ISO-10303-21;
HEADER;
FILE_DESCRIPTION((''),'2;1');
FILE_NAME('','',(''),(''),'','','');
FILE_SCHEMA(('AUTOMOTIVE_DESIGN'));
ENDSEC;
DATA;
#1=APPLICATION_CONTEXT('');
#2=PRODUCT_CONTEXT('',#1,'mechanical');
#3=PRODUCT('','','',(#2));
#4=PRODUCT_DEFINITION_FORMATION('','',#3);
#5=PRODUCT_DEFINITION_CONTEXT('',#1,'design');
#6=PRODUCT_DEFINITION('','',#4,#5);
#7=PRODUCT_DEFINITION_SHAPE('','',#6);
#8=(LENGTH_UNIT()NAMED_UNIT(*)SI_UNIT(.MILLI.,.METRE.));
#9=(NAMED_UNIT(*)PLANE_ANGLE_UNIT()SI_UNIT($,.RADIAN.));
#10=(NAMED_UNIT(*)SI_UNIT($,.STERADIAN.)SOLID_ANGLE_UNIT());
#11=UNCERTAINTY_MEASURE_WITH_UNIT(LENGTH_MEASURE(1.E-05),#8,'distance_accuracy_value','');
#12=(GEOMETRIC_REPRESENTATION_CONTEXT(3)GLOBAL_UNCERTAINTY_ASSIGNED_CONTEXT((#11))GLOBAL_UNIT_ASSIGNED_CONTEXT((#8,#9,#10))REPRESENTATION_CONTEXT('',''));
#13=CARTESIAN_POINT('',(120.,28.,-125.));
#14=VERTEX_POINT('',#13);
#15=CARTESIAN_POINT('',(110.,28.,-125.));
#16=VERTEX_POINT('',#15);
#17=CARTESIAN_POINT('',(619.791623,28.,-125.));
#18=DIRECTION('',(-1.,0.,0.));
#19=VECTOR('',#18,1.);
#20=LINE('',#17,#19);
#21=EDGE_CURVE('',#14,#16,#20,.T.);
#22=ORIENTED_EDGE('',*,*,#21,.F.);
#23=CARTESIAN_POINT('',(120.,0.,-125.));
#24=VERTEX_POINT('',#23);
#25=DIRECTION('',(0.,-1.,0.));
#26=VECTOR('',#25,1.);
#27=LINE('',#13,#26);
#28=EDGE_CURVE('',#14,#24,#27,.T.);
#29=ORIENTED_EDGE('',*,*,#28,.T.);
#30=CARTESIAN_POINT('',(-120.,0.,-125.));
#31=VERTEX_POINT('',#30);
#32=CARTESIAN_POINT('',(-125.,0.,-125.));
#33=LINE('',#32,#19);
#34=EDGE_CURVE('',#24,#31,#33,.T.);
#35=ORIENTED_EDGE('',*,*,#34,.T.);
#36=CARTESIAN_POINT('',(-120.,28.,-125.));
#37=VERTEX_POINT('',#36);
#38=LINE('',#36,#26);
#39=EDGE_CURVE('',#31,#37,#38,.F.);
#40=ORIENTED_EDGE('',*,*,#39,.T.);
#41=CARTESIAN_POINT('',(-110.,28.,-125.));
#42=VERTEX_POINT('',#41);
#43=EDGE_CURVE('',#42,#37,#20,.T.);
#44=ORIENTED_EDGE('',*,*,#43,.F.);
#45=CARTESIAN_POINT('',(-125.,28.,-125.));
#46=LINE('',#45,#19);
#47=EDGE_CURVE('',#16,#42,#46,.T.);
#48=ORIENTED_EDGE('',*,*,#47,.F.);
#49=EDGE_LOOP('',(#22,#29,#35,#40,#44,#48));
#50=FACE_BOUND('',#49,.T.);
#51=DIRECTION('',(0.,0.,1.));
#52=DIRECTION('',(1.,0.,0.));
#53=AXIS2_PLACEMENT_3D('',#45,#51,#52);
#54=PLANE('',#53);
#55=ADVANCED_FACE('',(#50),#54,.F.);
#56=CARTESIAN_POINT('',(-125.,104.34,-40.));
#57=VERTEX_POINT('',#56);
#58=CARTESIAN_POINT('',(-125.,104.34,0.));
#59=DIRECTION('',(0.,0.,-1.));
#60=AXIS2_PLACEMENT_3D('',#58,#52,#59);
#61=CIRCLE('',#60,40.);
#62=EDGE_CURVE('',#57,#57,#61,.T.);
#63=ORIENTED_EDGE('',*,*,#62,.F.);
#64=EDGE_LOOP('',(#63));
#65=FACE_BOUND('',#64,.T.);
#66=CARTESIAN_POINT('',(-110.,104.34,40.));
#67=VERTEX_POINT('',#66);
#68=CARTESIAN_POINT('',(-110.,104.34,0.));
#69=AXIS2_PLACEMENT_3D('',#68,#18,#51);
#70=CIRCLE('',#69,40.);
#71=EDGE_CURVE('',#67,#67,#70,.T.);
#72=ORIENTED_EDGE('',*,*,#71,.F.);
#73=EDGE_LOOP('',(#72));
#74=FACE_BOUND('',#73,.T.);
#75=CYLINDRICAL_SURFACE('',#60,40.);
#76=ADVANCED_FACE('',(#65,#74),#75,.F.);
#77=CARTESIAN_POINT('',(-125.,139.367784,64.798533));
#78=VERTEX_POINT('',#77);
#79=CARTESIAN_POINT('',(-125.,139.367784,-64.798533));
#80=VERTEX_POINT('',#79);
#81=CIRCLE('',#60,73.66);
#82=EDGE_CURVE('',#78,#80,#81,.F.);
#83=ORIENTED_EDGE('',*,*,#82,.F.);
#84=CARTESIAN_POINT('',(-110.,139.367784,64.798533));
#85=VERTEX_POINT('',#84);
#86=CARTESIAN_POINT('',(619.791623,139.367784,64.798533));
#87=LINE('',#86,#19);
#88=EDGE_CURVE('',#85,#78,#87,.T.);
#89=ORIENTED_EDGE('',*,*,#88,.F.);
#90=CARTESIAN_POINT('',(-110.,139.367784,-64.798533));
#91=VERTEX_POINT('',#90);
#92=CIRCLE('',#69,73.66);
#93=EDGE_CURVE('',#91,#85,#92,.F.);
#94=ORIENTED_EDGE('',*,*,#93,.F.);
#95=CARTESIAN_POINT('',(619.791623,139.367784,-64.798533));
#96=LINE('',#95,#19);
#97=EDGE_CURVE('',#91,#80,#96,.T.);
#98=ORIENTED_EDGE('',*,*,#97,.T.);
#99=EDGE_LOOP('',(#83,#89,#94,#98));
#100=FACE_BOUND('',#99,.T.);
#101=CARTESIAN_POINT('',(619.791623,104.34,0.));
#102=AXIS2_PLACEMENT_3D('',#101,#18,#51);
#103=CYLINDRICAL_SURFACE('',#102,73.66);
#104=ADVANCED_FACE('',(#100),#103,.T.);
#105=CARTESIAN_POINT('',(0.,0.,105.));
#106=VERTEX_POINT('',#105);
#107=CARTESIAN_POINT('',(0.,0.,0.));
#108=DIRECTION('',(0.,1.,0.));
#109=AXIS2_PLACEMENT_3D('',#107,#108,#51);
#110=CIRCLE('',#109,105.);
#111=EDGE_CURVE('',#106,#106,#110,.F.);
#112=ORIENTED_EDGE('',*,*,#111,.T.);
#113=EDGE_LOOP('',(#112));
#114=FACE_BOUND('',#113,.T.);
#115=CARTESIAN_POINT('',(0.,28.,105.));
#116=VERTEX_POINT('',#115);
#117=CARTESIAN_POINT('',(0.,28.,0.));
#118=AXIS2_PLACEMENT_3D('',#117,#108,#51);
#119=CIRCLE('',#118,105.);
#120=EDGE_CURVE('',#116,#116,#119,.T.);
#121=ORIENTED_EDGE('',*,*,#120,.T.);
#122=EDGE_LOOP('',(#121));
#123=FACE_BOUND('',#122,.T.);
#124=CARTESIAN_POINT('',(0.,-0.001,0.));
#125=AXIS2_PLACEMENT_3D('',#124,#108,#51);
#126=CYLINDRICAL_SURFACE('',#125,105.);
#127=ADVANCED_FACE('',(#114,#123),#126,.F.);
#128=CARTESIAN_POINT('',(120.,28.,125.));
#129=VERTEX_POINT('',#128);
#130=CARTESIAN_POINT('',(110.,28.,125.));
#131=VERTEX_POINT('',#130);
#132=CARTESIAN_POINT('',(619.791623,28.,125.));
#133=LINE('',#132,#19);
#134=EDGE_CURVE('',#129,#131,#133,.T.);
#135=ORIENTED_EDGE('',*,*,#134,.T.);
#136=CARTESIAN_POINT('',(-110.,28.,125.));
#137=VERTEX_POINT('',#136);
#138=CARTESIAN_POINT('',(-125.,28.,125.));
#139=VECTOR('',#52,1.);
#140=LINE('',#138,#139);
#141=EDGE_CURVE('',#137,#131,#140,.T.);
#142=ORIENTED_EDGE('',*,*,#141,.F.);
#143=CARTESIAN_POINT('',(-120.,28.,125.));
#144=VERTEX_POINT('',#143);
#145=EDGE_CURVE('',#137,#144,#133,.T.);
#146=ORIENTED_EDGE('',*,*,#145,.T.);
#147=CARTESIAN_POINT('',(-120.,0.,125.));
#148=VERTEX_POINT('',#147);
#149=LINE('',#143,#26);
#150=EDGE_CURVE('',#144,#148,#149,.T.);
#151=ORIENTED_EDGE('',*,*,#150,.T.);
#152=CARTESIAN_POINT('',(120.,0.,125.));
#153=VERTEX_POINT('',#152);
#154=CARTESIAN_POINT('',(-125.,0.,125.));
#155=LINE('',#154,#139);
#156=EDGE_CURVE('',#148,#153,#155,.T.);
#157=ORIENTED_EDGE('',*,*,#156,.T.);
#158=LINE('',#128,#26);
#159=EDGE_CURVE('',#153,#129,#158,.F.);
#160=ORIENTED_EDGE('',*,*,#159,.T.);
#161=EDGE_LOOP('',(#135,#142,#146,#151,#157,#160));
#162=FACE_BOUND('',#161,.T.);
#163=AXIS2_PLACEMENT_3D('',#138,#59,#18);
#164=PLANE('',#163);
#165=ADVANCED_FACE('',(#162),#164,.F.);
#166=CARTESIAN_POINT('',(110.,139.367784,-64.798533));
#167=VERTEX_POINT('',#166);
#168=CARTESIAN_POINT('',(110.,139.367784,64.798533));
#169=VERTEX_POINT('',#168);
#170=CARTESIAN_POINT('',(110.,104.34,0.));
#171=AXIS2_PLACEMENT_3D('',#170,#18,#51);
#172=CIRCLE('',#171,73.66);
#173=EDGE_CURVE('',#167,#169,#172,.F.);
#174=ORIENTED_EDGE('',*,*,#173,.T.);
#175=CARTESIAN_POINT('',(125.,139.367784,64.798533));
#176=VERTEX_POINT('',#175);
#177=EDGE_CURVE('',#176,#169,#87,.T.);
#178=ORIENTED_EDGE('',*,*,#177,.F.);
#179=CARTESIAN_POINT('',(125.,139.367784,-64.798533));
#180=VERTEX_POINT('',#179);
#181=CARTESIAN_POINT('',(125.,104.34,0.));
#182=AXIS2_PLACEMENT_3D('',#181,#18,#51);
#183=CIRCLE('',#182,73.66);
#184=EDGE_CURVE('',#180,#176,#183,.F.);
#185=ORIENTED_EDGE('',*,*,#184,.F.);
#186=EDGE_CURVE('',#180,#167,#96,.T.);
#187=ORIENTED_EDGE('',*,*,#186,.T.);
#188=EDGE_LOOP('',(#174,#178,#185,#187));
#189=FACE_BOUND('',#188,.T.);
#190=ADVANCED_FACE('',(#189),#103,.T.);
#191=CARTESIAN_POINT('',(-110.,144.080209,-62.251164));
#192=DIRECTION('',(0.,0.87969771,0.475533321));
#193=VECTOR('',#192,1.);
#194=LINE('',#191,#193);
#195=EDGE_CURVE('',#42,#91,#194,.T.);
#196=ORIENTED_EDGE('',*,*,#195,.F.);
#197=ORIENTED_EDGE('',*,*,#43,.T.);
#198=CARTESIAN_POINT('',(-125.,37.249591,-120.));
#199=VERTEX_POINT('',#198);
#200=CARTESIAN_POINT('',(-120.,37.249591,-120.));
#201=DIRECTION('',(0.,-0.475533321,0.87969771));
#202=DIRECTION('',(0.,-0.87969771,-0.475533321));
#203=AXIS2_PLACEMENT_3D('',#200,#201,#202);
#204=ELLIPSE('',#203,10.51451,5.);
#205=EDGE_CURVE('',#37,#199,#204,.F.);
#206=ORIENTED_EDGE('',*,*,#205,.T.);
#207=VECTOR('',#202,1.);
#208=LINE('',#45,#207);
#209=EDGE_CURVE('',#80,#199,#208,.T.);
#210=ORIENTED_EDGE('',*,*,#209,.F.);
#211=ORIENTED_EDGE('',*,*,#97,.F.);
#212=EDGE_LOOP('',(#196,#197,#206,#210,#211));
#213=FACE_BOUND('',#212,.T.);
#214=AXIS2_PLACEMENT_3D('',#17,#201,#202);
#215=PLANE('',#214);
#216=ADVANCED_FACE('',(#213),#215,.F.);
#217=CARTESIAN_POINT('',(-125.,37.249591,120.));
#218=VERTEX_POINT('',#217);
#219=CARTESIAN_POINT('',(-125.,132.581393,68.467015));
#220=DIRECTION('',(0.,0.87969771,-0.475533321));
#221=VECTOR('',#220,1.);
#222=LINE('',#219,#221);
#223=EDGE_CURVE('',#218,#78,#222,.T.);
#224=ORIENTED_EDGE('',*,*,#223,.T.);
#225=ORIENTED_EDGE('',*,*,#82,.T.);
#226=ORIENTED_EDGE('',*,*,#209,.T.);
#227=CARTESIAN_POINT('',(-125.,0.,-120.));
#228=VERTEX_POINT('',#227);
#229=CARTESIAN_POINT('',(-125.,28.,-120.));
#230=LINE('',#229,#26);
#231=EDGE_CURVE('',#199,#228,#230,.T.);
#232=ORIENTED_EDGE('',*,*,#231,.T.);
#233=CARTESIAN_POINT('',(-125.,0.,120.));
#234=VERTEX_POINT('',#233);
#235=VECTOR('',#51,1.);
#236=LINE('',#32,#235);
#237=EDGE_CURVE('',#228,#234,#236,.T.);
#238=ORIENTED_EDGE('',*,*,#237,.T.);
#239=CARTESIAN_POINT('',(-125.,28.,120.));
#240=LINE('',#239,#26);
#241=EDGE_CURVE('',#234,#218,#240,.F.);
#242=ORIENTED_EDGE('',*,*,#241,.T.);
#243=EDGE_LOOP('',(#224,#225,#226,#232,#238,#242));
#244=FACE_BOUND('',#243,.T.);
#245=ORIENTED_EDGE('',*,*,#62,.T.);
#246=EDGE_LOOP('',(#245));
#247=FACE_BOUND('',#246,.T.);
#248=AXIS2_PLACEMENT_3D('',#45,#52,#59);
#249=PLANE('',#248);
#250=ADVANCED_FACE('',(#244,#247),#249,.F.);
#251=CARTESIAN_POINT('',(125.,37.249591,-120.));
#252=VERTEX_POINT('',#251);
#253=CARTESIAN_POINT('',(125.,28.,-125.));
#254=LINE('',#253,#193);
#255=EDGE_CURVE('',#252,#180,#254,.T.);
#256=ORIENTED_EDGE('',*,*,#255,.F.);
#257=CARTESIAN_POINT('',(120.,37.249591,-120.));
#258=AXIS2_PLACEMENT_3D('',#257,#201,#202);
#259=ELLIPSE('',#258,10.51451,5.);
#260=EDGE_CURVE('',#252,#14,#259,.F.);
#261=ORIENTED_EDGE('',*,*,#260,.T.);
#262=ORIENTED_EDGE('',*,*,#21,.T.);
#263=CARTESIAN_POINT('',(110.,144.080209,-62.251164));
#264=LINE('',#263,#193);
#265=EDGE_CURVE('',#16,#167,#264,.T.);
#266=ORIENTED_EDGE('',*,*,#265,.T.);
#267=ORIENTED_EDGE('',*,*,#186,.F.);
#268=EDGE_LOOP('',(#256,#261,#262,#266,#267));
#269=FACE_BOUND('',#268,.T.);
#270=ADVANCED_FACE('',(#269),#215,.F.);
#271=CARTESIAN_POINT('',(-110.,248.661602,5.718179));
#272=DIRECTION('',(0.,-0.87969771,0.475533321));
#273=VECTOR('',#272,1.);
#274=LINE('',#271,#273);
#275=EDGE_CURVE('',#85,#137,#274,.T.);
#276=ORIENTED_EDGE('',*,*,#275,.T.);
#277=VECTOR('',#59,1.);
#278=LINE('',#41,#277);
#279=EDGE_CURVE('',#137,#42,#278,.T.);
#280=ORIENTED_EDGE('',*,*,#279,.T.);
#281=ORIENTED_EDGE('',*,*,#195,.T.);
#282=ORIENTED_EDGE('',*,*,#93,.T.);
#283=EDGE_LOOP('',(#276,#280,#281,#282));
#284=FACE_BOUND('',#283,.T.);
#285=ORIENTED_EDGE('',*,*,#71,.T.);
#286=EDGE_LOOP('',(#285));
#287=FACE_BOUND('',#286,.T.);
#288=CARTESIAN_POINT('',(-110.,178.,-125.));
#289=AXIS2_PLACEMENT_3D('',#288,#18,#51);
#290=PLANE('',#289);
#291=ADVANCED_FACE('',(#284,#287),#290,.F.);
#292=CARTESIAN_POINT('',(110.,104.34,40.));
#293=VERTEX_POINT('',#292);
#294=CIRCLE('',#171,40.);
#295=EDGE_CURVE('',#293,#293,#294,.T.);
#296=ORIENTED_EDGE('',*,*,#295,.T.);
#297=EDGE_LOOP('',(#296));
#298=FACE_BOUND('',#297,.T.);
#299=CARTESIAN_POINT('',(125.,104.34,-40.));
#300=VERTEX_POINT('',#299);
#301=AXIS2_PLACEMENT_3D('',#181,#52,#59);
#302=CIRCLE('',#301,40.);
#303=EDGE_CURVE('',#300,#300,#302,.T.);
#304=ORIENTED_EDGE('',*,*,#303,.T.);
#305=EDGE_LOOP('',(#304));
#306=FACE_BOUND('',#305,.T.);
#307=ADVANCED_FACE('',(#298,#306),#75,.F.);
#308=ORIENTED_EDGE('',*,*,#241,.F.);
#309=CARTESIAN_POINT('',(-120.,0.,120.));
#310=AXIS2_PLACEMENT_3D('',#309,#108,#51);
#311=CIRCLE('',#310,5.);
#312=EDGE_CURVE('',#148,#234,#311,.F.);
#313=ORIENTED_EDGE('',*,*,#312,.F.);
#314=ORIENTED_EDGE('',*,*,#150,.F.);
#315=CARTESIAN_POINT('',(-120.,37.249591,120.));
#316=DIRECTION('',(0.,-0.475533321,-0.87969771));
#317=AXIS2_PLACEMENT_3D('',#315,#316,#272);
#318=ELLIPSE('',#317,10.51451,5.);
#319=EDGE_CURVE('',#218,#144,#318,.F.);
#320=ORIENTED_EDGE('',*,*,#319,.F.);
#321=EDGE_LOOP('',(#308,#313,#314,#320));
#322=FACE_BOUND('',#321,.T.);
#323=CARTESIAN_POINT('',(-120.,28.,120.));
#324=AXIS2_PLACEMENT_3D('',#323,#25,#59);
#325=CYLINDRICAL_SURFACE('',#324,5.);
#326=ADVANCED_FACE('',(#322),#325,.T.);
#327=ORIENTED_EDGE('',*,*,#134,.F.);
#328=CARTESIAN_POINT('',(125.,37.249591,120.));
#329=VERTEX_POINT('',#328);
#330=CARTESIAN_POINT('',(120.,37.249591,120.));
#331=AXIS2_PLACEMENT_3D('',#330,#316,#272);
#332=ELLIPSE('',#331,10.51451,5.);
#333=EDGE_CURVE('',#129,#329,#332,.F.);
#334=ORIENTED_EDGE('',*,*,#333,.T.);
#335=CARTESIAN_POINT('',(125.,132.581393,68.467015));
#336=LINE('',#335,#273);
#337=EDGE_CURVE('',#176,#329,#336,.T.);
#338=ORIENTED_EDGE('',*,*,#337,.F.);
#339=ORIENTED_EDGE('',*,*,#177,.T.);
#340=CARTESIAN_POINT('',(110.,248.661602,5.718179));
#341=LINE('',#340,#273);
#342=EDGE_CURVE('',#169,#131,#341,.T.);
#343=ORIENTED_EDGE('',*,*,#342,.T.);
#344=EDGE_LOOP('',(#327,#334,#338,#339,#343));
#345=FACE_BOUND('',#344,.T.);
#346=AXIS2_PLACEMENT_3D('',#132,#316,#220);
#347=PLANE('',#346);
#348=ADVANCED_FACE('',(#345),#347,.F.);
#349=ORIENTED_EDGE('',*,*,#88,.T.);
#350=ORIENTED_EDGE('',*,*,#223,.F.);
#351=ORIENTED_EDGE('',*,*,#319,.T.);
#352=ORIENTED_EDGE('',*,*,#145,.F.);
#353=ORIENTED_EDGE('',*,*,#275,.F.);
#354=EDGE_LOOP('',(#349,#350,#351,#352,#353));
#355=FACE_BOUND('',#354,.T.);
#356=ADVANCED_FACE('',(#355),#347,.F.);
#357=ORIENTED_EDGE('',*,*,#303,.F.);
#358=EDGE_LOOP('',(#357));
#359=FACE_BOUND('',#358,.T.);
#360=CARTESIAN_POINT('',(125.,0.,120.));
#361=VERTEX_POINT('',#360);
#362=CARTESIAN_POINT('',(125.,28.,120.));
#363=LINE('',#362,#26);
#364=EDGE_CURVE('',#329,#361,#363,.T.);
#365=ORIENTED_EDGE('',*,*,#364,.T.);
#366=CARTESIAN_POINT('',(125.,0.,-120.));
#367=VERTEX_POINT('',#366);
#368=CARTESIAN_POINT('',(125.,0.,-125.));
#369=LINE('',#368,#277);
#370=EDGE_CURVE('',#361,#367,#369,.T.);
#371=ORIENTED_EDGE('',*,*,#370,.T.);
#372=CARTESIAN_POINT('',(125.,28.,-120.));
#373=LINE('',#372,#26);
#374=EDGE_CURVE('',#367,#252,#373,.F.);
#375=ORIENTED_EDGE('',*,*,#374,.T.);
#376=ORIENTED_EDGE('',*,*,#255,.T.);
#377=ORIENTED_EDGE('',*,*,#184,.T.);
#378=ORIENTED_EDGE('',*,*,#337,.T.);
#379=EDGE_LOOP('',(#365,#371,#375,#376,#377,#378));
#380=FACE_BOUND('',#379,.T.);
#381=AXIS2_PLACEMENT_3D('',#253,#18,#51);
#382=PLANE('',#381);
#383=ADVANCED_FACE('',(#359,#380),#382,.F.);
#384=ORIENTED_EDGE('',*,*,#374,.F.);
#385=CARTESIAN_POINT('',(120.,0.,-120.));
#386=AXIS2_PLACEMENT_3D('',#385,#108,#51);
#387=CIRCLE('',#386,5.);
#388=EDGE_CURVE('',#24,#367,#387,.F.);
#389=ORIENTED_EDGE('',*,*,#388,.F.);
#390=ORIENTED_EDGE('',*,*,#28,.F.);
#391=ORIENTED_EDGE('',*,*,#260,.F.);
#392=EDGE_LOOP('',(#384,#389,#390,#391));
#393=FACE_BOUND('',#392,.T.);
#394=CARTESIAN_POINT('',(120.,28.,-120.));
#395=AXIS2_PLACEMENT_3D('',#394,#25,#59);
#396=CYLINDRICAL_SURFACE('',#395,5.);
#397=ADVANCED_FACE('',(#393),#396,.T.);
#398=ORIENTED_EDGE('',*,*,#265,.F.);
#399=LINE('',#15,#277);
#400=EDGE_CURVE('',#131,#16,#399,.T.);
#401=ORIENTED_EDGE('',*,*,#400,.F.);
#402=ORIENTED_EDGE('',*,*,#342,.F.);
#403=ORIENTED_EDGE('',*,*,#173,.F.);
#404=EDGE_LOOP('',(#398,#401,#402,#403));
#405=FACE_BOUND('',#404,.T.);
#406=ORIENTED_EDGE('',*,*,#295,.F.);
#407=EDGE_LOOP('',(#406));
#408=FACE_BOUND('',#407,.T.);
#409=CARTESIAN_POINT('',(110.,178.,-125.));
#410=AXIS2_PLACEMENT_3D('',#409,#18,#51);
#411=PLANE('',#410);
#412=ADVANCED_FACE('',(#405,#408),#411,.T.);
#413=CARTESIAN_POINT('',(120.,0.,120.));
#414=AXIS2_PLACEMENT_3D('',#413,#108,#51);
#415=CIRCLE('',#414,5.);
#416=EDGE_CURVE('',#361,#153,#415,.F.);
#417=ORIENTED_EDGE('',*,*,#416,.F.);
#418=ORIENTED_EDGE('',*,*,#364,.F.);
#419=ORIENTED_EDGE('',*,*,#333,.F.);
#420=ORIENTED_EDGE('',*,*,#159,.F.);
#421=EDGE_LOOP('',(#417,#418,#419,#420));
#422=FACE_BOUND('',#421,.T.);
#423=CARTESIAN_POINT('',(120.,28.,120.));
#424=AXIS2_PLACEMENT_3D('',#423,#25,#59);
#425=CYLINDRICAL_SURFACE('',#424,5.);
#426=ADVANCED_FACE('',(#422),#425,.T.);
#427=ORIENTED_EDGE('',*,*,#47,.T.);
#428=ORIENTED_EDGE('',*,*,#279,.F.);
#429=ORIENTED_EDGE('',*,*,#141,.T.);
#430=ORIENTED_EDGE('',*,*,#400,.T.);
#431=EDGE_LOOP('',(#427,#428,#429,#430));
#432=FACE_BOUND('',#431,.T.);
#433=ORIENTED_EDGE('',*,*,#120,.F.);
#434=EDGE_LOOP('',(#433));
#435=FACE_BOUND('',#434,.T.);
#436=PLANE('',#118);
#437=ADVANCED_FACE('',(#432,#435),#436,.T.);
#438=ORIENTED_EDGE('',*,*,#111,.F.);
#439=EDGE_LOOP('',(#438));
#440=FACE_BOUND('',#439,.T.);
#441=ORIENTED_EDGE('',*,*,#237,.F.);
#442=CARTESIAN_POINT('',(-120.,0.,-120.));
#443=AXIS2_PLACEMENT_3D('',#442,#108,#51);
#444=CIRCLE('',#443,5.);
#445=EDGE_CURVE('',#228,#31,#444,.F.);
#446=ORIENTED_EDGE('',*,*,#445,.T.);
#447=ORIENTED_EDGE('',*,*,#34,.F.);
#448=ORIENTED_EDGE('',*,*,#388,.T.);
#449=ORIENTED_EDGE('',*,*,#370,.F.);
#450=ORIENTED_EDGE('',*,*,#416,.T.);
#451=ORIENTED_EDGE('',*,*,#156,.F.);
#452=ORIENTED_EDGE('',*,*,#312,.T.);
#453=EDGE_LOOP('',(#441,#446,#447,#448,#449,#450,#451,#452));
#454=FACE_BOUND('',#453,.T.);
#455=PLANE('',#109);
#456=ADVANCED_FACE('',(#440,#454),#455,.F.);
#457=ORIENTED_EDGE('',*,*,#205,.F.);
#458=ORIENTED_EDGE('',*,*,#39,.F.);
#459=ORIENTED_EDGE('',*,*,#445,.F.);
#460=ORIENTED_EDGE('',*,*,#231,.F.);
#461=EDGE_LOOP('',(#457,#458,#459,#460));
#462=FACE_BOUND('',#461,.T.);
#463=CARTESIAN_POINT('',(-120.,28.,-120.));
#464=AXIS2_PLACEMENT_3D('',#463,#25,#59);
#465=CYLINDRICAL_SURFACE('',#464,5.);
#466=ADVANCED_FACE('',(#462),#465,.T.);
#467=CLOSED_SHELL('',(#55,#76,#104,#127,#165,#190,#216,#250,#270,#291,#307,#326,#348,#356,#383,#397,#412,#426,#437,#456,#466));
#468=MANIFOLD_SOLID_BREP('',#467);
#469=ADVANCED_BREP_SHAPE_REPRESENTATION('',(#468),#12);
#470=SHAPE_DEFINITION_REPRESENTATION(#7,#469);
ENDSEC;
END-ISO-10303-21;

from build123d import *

# Parameters (mm, degrees)
SKETCH1_W               = 250
SKETCH1_H               = 250
BOSS_EXTRUDE1_DEPTH     = 28
CUT_EXTRUDE1_REACH      = 180.98
SKETCH2_R               = 105
SKETCH3_W               = 15
SKETCH3_H               = 250
BOSS_EXTRUDE2_DEPTH     = 150
SKETCH4_R               = 40
CUT_EXTRUDE2_DEPTH      = 332.374410599
CUT_EXTRUDE4_DEPTH      = 332.374410599
CUT_EXTRUDE4_DEPTH_BACK = 332.374410599
FILLET1_R               = 5


with BuildPart() as part:
    # Sketch1 → Boss-Extrude1 (new body)
    with BuildSketch(Plane(origin=(0, 0, 0), x_dir=(1, 0, 0), z_dir=(0, 1, 0))):
        Rectangle(SKETCH1_W, SKETCH1_H)
    extrude(amount=BOSS_EXTRUDE1_DEPTH)

    # Sketch2 → Cut-Extrude1 (cut, up to next)
    with BuildSketch(Plane(origin=(0, 28, 0), x_dir=(1, 0, 0), z_dir=(0, 1, 0)), mode=Mode.PRIVATE) as cut_extrude1_sk1:
        with Locations(Location((0, 0, 0), (0, 0, 270))):
            Circle(SKETCH2_R)
    cut_extrude1_tool1 = extrude(cut_extrude1_sk1.sketch, amount=-CUT_EXTRUDE1_REACH, mode=Mode.PRIVATE) & part.part
    add(cut_extrude1_tool1.solids().sort_by_distance((0, 28, 0))[0], mode=Mode.SUBTRACT)

    # Sketch3 → Boss-Extrude2 (add)
    with BuildSketch(Plane(origin=(0, 28, 0), x_dir=(1, 0, 0), z_dir=(0, 1, 0))):
        with Locations((-117.5, 0)):
            Rectangle(SKETCH3_W, SKETCH3_H)
    boss_extrude2 = extrude(amount=BOSS_EXTRUDE2_DEPTH)

    # Mirror1: Boss-Extrude2 across plane
    add(boss_extrude2.mirror(Plane(origin=(0, 0, 0), x_dir=(0, 0, 1), z_dir=(1, 0, 0))))

    # Sketch4 → Cut-Extrude2 (cut, through all)
    with BuildSketch(Plane(origin=(125, 0, 0), x_dir=(0, 0, -1), z_dir=(1, 0, 0))):
        with Locations((0, 104.34)):
            Circle(SKETCH4_R)
    extrude(amount=-CUT_EXTRUDE2_DEPTH, mode=Mode.SUBTRACT)

    # Sketch5 → Cut-Extrude4 (cut, two sides: drawn at the far end of the back side and taken through both)
    with BuildSketch(Plane(origin=(125, 0, 0), x_dir=(0, 0, -1), z_dir=(1, 0, 0)).offset(-CUT_EXTRUDE4_DEPTH_BACK)):
        with BuildLine():
            Line((407.036525122, -493.744479882), (125, 28))
            Line((125, 28), (64.798533304, 139.367784424))
            ThreePointArc((64.798533304, 139.367784424), (0, 178), (-64.798533304, 139.367784424))
            Line((-64.798533304, 139.367784424), (-125, 28))
            Line((-125, 28), (-407.036525122, -493.744479882))
            Line((-407.036525122, -493.744479882), (-407.036525122, 692.445899087))
            Line((-407.036525122, 692.445899087), (407.036525122, 692.445899087))
            Line((407.036525122, 692.445899087), (407.036525122, -493.744479882))
        make_face()
    extrude(amount=CUT_EXTRUDE4_DEPTH + CUT_EXTRUDE4_DEPTH_BACK, mode=Mode.SUBTRACT)

    # Fillet1
    fillet1_edges = [part.edges().sort_by_distance(p)[0] for p in [
        (125, 14, 125),
        (-125, 14, 125),
        (-125, 14, -125),
        (125, 14, -125),
    ]]
    fillet(fillet1_edges, radius=FILLET1_R)


solid = part.part
